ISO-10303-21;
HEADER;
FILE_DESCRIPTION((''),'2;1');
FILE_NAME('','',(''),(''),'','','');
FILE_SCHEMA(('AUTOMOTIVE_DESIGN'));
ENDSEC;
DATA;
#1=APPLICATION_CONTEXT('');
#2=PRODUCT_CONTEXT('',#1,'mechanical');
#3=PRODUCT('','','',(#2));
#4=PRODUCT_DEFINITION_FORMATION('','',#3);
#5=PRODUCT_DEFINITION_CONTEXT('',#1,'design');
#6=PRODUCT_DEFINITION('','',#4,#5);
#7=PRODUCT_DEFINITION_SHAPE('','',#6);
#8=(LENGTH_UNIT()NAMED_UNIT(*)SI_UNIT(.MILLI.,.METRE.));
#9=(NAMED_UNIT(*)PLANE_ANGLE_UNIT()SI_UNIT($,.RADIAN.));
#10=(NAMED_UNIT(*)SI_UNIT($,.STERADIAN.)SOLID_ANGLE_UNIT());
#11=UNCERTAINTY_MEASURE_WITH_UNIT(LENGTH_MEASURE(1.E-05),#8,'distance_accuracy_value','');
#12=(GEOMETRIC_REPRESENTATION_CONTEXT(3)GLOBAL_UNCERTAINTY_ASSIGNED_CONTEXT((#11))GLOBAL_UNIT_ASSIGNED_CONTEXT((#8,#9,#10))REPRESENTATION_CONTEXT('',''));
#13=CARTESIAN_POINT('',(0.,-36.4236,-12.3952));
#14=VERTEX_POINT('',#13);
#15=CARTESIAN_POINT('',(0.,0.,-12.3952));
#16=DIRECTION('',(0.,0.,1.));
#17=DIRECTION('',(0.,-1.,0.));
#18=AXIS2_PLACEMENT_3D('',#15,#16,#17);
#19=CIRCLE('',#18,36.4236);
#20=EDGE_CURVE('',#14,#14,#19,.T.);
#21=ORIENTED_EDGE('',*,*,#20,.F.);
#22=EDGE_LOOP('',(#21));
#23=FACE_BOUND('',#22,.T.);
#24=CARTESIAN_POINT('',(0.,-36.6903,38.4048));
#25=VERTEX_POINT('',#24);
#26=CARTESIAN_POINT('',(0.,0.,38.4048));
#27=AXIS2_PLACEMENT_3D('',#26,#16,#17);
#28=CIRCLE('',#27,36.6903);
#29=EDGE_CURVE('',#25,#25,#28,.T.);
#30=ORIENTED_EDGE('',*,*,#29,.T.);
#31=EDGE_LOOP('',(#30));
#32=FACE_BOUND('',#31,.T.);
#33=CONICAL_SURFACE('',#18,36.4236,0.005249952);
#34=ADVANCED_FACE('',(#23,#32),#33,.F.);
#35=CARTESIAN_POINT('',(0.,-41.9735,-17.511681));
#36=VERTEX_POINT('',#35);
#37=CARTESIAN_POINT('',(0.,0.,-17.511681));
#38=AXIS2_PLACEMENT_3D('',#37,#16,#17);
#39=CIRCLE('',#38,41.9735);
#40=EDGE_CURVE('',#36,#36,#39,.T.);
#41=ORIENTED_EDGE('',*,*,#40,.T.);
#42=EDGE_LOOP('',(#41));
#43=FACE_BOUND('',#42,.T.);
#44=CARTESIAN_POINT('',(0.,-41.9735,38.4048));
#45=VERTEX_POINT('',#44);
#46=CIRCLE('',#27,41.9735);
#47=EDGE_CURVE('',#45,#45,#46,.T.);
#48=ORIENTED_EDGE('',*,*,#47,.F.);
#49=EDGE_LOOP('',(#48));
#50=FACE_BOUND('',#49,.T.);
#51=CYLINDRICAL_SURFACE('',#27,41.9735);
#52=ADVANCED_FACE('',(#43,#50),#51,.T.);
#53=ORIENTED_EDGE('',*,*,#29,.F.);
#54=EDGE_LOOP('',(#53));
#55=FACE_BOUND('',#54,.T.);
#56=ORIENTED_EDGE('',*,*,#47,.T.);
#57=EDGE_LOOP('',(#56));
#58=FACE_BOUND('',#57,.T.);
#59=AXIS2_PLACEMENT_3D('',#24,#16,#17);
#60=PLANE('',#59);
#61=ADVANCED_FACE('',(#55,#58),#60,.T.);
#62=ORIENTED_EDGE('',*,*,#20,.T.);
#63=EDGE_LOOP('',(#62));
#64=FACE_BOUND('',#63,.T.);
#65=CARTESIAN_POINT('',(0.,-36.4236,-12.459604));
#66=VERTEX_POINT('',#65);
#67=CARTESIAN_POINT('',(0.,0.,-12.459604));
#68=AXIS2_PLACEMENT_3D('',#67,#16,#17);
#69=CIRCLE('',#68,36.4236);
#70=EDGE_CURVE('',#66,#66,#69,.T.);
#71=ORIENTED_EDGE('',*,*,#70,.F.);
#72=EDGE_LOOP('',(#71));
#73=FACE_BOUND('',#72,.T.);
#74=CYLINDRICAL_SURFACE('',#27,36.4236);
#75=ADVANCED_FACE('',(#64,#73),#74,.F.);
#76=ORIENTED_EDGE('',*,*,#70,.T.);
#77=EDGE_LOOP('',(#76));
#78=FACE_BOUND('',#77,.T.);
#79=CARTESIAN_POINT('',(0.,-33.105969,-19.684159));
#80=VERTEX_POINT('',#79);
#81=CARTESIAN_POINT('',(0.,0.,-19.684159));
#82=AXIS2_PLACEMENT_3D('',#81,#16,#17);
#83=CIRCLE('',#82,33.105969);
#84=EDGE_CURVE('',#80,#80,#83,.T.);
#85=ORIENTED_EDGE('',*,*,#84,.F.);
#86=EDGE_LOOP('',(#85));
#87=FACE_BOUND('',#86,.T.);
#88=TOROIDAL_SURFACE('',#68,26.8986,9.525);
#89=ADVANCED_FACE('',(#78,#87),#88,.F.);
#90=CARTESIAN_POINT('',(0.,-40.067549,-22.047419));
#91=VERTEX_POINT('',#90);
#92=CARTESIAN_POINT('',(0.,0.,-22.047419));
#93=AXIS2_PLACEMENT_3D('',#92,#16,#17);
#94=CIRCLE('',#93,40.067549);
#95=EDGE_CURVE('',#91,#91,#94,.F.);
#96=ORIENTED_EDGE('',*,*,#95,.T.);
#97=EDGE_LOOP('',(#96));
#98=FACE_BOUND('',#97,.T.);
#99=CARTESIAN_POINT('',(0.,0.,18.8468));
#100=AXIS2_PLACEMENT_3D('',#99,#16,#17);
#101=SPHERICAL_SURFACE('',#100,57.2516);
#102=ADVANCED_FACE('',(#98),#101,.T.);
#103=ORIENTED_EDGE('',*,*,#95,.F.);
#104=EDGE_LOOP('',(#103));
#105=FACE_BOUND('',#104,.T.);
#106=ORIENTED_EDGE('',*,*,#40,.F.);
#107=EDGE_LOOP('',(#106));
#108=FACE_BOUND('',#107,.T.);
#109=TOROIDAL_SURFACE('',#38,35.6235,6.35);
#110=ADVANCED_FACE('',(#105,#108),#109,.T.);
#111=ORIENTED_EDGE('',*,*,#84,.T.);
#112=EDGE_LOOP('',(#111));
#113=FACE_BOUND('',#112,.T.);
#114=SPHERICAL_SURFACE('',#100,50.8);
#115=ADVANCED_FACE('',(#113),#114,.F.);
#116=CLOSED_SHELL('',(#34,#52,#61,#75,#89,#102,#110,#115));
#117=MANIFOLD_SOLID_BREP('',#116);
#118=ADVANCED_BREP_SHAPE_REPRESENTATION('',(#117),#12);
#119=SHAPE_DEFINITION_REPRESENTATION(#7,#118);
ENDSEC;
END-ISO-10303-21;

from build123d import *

# Parameters (mm, degrees)
FILLET1_R = 6.35


with BuildPart() as part:
    # Sketch2 → Revolve1 (revolve)
    with BuildSketch(Plane(origin=(0, 0, 0), x_dir=(0, 0, -1), z_dir=(1, 0, 0))):
        with BuildLine():
            Line((31.9532, 0), (38.4048, 0))
            ThreePointArc((38.4048, 0), (33.626354024, -22.897899672), (20.088672263, -41.9735))
            Line((20.088672263, -41.9735), (-38.4048, -41.9735))
            Line((-38.4048, -41.9735), (-38.4048, -36.6903))
            Line((-38.4048, -36.6903), (12.3952, -36.4236))
            Line((12.3952, -36.4236), (12.459604186, -36.4236))
            ThreePointArc((12.459604186, -36.4236), (16.434552807, -35.554546422), (19.684158998, -33.105969231))
            ThreePointArc((19.684158998, -33.105969231), (28.787288199, -17.653148202), (31.9532, 0))
        make_face()
    revolve(axis=Axis((0, 0, 38.4048), (0, 0, -1)))

    # Fillet1
    fillet1_edges = [part.edges().sort_by_distance(p)[0] for p in [
        (0, 41.9735, -20.088672263),
    ]]
    fillet(fillet1_edges, radius=FILLET1_R)


solid = part.part
